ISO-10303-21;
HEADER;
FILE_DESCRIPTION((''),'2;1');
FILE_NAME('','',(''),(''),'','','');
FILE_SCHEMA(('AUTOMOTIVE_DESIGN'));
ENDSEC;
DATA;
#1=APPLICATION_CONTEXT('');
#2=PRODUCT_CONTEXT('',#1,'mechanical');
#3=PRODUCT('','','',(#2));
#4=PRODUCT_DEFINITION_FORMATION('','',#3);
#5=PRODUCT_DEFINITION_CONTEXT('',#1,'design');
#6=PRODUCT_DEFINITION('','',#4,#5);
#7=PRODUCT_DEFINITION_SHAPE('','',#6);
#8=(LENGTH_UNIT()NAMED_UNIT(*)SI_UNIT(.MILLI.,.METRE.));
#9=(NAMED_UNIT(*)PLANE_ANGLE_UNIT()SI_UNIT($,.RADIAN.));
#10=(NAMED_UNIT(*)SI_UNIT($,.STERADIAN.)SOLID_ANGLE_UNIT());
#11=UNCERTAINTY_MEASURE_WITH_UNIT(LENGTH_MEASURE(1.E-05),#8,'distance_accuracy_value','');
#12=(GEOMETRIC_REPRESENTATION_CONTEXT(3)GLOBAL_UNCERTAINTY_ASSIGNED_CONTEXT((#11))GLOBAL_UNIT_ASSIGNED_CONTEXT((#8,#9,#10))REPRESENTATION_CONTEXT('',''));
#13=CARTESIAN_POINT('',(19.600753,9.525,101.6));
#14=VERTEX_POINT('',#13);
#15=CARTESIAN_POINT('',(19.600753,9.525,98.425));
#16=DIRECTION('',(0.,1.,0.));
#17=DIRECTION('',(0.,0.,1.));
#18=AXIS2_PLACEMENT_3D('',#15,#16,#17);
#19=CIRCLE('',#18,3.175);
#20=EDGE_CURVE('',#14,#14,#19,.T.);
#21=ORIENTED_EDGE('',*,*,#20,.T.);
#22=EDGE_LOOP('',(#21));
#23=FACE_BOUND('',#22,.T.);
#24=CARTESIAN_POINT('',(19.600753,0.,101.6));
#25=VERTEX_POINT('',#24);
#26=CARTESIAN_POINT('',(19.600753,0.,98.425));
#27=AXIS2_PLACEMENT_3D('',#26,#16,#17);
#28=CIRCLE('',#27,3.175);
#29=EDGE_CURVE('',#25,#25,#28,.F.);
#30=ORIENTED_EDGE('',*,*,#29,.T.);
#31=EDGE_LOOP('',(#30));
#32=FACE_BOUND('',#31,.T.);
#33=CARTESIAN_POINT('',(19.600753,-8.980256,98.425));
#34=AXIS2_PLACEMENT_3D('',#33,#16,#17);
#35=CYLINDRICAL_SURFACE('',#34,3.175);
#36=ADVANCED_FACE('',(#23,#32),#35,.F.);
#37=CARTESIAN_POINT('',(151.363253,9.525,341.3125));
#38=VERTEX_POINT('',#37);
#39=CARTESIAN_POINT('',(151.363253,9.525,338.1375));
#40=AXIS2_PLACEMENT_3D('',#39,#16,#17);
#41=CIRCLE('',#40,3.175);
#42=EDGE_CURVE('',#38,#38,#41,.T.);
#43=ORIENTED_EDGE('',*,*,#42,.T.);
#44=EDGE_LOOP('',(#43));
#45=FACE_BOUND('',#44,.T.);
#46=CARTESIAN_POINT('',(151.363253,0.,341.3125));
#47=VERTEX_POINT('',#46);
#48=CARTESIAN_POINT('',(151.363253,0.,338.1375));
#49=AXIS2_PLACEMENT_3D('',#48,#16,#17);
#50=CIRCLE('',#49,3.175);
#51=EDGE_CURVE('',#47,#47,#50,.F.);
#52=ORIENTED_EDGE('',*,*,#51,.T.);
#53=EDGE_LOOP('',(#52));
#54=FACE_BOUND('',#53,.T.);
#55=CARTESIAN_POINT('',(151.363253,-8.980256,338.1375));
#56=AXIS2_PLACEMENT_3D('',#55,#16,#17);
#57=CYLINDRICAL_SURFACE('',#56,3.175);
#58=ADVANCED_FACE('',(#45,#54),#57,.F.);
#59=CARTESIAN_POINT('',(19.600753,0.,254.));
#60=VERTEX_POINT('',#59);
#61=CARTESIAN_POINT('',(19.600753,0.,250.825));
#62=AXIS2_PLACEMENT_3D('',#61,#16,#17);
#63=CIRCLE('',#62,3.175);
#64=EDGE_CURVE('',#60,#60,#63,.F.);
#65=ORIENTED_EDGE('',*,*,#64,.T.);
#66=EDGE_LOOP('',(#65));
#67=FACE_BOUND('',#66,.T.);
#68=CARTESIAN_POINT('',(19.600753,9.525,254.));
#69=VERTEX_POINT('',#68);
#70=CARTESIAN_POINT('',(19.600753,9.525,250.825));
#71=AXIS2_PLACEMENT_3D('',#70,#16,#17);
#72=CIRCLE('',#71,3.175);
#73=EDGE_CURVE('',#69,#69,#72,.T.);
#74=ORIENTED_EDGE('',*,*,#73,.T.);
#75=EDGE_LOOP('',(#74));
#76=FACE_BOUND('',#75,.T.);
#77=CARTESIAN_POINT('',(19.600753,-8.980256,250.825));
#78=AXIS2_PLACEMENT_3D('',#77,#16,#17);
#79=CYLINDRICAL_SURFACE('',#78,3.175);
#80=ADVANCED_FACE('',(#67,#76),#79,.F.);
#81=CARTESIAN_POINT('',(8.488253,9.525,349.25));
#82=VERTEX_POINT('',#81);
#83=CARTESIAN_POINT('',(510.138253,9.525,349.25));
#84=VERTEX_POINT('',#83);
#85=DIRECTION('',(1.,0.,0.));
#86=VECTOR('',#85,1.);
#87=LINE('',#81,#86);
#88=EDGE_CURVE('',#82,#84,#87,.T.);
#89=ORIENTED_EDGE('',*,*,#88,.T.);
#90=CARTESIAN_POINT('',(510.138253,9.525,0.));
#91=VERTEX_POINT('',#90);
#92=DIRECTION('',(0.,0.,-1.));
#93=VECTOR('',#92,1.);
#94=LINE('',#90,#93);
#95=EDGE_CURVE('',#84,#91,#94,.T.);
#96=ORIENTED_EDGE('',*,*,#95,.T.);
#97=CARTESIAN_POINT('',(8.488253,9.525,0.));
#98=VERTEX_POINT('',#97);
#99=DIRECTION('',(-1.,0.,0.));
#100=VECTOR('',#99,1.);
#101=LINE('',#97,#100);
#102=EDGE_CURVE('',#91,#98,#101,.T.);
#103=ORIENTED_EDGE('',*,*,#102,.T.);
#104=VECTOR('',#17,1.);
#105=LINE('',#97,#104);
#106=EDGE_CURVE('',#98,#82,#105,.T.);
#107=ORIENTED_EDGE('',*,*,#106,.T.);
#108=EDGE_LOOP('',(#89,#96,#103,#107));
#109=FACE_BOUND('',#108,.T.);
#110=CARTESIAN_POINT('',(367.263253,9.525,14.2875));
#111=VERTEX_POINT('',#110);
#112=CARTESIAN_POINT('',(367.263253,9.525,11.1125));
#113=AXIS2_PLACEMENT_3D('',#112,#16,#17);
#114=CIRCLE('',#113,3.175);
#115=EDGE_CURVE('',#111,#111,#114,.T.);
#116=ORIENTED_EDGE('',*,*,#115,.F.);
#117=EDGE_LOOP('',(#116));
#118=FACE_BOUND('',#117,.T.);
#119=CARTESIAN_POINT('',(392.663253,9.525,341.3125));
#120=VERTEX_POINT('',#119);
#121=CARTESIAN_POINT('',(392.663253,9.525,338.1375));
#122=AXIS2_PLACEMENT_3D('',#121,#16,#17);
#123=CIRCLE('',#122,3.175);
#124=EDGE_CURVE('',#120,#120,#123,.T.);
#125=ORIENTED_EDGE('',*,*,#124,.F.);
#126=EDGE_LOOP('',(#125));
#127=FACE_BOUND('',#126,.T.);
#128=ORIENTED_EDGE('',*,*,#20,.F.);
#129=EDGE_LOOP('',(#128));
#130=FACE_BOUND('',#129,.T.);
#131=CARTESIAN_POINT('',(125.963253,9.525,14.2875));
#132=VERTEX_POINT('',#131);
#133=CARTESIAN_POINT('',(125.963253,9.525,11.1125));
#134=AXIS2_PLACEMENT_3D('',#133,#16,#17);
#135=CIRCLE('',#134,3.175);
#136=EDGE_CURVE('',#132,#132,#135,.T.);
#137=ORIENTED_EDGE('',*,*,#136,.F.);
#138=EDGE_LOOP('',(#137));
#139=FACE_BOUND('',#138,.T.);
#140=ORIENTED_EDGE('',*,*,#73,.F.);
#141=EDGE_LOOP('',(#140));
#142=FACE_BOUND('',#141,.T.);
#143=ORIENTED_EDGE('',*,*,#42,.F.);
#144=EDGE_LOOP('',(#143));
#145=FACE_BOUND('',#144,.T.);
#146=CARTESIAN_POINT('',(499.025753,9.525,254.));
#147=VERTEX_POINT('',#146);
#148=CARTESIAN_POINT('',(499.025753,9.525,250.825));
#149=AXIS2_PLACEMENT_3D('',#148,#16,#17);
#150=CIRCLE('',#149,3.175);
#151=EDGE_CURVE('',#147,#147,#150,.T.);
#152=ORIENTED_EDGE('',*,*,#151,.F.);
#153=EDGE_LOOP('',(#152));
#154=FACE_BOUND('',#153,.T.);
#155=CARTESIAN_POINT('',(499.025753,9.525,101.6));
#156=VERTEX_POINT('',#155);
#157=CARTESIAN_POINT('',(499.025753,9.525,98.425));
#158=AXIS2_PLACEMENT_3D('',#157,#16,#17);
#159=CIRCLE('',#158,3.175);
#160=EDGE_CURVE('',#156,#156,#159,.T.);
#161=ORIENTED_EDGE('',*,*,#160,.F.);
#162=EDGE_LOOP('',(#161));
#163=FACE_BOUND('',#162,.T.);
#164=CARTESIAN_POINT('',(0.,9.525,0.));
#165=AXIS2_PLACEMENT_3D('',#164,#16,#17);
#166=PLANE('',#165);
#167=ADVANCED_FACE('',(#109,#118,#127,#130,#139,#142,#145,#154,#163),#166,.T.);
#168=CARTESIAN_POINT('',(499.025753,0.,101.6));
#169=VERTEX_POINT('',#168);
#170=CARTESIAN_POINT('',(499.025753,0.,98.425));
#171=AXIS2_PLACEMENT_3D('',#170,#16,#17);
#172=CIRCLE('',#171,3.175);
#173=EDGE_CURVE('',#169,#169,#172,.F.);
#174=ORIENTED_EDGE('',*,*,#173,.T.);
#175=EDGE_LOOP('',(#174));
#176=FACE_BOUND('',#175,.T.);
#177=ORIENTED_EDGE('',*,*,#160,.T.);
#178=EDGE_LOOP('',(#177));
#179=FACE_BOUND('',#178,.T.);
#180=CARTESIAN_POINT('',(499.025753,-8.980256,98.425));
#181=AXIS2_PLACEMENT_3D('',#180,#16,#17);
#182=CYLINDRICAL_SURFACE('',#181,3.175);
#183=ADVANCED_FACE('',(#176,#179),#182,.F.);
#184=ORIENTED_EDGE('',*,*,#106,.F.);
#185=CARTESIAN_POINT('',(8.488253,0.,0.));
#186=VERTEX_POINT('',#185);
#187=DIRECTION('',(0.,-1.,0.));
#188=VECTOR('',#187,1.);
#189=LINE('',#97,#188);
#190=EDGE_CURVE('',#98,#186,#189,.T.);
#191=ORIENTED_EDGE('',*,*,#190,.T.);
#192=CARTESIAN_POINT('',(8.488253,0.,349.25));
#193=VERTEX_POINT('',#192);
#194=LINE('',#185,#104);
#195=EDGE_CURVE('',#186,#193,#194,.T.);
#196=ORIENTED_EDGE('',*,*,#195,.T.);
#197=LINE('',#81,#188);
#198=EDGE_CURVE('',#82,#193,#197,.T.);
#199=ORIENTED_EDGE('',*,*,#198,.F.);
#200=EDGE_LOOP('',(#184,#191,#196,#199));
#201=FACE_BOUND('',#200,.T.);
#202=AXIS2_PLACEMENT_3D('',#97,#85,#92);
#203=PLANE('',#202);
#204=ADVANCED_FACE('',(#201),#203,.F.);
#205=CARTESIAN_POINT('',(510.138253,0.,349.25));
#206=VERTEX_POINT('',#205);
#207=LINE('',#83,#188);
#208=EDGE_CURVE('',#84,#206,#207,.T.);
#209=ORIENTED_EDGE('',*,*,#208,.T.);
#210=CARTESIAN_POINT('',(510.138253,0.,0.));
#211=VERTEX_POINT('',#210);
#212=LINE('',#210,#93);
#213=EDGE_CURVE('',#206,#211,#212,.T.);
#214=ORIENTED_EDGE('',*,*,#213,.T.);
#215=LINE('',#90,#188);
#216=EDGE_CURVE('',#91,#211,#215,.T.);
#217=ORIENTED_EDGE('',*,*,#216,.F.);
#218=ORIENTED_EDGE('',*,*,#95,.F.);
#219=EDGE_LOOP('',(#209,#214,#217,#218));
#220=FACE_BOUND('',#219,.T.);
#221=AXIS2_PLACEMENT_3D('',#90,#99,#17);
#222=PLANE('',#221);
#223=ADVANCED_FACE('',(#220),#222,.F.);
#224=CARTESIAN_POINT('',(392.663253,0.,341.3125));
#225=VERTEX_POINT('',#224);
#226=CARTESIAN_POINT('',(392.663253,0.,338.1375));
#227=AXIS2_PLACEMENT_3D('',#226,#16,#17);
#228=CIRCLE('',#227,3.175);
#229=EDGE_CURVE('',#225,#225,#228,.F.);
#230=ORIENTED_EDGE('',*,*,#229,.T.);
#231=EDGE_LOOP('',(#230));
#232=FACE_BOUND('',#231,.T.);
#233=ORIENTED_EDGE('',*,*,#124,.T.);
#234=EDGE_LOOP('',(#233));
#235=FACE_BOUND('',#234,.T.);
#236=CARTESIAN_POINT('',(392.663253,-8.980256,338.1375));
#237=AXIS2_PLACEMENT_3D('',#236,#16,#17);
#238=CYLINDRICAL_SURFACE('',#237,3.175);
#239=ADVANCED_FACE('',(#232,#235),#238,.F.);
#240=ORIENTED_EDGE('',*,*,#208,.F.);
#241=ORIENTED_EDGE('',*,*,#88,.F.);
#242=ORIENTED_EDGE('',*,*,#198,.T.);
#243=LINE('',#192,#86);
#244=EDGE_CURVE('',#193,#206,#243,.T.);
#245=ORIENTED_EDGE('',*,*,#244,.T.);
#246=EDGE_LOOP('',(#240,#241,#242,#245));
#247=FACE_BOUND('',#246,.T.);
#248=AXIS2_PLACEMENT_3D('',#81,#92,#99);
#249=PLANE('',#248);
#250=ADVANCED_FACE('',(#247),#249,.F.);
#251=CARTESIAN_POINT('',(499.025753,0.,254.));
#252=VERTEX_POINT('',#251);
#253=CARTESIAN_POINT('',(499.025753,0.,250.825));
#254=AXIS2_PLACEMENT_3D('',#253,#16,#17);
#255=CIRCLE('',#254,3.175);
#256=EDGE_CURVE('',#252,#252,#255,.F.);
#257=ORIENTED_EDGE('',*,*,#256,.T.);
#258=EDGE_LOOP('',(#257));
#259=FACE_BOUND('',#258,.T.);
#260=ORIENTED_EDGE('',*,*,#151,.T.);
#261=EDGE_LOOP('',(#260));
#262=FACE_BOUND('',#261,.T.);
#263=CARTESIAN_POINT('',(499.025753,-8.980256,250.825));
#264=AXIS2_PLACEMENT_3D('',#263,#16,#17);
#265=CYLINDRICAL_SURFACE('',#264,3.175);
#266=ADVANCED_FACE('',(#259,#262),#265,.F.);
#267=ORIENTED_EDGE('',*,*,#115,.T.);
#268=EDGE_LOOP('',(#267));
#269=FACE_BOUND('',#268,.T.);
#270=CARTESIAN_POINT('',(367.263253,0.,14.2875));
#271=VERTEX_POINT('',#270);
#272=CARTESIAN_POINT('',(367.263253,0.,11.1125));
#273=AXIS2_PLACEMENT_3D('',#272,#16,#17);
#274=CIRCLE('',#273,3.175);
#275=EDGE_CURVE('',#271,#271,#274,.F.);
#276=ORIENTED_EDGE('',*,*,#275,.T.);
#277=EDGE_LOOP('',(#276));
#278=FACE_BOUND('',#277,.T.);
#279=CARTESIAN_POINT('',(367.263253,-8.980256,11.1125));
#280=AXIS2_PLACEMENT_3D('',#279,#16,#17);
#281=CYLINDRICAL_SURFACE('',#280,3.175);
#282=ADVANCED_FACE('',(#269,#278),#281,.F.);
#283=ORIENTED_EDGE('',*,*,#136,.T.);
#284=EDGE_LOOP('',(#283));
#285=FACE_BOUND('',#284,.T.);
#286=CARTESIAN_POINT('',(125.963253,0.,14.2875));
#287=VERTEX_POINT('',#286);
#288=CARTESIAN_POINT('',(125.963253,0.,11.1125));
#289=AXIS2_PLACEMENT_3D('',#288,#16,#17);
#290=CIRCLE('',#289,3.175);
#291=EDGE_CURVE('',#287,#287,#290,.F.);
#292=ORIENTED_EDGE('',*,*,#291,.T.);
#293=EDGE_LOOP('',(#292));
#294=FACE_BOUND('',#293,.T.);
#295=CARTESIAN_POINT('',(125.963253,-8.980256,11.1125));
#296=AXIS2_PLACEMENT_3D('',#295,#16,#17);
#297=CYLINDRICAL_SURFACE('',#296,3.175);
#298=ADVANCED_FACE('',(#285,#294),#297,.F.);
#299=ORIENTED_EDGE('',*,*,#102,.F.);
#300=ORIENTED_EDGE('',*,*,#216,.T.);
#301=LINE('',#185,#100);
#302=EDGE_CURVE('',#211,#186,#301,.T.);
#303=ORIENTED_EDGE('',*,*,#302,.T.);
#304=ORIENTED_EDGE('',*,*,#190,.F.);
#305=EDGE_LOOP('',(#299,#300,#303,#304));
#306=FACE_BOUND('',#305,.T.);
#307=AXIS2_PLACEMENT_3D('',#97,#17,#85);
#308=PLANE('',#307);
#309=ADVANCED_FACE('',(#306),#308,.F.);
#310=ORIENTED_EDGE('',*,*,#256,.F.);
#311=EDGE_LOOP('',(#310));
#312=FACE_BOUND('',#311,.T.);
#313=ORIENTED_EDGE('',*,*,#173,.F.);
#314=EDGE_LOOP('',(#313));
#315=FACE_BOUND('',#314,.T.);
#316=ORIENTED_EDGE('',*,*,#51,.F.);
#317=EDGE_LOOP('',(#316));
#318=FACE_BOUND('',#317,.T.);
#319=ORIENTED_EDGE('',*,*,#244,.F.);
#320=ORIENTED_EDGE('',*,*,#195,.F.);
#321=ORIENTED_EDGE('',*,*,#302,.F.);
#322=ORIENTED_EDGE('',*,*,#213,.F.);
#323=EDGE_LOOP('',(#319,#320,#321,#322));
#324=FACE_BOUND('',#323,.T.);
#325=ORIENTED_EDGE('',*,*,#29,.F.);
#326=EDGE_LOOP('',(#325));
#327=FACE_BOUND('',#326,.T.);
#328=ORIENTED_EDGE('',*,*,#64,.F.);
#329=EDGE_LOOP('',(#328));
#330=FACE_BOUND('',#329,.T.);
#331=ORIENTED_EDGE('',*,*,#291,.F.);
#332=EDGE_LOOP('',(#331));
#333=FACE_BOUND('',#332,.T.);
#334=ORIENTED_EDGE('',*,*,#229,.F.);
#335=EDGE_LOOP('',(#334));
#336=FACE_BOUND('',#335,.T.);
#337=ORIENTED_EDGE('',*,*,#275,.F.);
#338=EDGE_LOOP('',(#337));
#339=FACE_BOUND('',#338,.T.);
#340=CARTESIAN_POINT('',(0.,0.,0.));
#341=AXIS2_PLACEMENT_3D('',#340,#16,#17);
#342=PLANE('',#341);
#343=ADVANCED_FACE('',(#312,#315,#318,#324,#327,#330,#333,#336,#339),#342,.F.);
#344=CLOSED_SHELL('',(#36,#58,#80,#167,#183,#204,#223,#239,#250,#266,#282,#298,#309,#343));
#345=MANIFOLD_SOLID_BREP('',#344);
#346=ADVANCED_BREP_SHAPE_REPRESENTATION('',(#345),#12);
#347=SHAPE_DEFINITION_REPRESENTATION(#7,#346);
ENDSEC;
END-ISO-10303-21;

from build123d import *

# Parameters (mm, degrees)
SKETCH1_W           = 501.65
SKETCH1_H           = 349.25
BOSS_EXTRUDE1_DEPTH = 9.525
SKETCH2_R           = 3.175
CUT_EXTRUDE1_DEPTH  = 9.525


with BuildPart() as part:
    # Sketch1 → Boss-Extrude1 (new body)
    with BuildSketch(Plane(origin=(0, 0, 0), x_dir=(1, 0, 0), z_dir=(0, 1, 0))):
        with Locations((259.3132527, -174.625)):
            Rectangle(SKETCH1_W, SKETCH1_H)
    extrude(amount=BOSS_EXTRUDE1_DEPTH)

    # Sketch2 → Cut-Extrude1 (cut)
    with BuildSketch(Plane(origin=(0, 9.525, 0), x_dir=(1, 0, 0), z_dir=(0, 1, 0))):
        with Locations(Location((392.6632527, -338.1375, 0), (0, 0, 270))):
            Circle(SKETCH2_R)
        with Locations(Location((151.3632527, -338.1375, 0), (0, 0, 270))):
            Circle(SKETCH2_R)
        with Locations(Location((367.2632527, -11.1125, 0), (0, 0, 270))):
            Circle(SKETCH2_R)
        with Locations(Location((125.9632527, -11.1125, 0), (0, 0, 270))):
            Circle(SKETCH2_R)
        with Locations(Location((19.6007527, -250.825, 0), (0, 0, 270))):
            Circle(SKETCH2_R)
        with Locations(Location((19.6007527, -98.425, 0), (0, 0, 270))):
            Circle(SKETCH2_R)
        with Locations(Location((499.0257527, -250.825, 0), (0, 0, 270))):
            Circle(SKETCH2_R)
        with Locations(Location((499.0257527, -98.425, 0), (0, 0, 270))):
            Circle(SKETCH2_R)
    extrude(amount=-CUT_EXTRUDE1_DEPTH, mode=Mode.SUBTRACT)


solid = part.part
